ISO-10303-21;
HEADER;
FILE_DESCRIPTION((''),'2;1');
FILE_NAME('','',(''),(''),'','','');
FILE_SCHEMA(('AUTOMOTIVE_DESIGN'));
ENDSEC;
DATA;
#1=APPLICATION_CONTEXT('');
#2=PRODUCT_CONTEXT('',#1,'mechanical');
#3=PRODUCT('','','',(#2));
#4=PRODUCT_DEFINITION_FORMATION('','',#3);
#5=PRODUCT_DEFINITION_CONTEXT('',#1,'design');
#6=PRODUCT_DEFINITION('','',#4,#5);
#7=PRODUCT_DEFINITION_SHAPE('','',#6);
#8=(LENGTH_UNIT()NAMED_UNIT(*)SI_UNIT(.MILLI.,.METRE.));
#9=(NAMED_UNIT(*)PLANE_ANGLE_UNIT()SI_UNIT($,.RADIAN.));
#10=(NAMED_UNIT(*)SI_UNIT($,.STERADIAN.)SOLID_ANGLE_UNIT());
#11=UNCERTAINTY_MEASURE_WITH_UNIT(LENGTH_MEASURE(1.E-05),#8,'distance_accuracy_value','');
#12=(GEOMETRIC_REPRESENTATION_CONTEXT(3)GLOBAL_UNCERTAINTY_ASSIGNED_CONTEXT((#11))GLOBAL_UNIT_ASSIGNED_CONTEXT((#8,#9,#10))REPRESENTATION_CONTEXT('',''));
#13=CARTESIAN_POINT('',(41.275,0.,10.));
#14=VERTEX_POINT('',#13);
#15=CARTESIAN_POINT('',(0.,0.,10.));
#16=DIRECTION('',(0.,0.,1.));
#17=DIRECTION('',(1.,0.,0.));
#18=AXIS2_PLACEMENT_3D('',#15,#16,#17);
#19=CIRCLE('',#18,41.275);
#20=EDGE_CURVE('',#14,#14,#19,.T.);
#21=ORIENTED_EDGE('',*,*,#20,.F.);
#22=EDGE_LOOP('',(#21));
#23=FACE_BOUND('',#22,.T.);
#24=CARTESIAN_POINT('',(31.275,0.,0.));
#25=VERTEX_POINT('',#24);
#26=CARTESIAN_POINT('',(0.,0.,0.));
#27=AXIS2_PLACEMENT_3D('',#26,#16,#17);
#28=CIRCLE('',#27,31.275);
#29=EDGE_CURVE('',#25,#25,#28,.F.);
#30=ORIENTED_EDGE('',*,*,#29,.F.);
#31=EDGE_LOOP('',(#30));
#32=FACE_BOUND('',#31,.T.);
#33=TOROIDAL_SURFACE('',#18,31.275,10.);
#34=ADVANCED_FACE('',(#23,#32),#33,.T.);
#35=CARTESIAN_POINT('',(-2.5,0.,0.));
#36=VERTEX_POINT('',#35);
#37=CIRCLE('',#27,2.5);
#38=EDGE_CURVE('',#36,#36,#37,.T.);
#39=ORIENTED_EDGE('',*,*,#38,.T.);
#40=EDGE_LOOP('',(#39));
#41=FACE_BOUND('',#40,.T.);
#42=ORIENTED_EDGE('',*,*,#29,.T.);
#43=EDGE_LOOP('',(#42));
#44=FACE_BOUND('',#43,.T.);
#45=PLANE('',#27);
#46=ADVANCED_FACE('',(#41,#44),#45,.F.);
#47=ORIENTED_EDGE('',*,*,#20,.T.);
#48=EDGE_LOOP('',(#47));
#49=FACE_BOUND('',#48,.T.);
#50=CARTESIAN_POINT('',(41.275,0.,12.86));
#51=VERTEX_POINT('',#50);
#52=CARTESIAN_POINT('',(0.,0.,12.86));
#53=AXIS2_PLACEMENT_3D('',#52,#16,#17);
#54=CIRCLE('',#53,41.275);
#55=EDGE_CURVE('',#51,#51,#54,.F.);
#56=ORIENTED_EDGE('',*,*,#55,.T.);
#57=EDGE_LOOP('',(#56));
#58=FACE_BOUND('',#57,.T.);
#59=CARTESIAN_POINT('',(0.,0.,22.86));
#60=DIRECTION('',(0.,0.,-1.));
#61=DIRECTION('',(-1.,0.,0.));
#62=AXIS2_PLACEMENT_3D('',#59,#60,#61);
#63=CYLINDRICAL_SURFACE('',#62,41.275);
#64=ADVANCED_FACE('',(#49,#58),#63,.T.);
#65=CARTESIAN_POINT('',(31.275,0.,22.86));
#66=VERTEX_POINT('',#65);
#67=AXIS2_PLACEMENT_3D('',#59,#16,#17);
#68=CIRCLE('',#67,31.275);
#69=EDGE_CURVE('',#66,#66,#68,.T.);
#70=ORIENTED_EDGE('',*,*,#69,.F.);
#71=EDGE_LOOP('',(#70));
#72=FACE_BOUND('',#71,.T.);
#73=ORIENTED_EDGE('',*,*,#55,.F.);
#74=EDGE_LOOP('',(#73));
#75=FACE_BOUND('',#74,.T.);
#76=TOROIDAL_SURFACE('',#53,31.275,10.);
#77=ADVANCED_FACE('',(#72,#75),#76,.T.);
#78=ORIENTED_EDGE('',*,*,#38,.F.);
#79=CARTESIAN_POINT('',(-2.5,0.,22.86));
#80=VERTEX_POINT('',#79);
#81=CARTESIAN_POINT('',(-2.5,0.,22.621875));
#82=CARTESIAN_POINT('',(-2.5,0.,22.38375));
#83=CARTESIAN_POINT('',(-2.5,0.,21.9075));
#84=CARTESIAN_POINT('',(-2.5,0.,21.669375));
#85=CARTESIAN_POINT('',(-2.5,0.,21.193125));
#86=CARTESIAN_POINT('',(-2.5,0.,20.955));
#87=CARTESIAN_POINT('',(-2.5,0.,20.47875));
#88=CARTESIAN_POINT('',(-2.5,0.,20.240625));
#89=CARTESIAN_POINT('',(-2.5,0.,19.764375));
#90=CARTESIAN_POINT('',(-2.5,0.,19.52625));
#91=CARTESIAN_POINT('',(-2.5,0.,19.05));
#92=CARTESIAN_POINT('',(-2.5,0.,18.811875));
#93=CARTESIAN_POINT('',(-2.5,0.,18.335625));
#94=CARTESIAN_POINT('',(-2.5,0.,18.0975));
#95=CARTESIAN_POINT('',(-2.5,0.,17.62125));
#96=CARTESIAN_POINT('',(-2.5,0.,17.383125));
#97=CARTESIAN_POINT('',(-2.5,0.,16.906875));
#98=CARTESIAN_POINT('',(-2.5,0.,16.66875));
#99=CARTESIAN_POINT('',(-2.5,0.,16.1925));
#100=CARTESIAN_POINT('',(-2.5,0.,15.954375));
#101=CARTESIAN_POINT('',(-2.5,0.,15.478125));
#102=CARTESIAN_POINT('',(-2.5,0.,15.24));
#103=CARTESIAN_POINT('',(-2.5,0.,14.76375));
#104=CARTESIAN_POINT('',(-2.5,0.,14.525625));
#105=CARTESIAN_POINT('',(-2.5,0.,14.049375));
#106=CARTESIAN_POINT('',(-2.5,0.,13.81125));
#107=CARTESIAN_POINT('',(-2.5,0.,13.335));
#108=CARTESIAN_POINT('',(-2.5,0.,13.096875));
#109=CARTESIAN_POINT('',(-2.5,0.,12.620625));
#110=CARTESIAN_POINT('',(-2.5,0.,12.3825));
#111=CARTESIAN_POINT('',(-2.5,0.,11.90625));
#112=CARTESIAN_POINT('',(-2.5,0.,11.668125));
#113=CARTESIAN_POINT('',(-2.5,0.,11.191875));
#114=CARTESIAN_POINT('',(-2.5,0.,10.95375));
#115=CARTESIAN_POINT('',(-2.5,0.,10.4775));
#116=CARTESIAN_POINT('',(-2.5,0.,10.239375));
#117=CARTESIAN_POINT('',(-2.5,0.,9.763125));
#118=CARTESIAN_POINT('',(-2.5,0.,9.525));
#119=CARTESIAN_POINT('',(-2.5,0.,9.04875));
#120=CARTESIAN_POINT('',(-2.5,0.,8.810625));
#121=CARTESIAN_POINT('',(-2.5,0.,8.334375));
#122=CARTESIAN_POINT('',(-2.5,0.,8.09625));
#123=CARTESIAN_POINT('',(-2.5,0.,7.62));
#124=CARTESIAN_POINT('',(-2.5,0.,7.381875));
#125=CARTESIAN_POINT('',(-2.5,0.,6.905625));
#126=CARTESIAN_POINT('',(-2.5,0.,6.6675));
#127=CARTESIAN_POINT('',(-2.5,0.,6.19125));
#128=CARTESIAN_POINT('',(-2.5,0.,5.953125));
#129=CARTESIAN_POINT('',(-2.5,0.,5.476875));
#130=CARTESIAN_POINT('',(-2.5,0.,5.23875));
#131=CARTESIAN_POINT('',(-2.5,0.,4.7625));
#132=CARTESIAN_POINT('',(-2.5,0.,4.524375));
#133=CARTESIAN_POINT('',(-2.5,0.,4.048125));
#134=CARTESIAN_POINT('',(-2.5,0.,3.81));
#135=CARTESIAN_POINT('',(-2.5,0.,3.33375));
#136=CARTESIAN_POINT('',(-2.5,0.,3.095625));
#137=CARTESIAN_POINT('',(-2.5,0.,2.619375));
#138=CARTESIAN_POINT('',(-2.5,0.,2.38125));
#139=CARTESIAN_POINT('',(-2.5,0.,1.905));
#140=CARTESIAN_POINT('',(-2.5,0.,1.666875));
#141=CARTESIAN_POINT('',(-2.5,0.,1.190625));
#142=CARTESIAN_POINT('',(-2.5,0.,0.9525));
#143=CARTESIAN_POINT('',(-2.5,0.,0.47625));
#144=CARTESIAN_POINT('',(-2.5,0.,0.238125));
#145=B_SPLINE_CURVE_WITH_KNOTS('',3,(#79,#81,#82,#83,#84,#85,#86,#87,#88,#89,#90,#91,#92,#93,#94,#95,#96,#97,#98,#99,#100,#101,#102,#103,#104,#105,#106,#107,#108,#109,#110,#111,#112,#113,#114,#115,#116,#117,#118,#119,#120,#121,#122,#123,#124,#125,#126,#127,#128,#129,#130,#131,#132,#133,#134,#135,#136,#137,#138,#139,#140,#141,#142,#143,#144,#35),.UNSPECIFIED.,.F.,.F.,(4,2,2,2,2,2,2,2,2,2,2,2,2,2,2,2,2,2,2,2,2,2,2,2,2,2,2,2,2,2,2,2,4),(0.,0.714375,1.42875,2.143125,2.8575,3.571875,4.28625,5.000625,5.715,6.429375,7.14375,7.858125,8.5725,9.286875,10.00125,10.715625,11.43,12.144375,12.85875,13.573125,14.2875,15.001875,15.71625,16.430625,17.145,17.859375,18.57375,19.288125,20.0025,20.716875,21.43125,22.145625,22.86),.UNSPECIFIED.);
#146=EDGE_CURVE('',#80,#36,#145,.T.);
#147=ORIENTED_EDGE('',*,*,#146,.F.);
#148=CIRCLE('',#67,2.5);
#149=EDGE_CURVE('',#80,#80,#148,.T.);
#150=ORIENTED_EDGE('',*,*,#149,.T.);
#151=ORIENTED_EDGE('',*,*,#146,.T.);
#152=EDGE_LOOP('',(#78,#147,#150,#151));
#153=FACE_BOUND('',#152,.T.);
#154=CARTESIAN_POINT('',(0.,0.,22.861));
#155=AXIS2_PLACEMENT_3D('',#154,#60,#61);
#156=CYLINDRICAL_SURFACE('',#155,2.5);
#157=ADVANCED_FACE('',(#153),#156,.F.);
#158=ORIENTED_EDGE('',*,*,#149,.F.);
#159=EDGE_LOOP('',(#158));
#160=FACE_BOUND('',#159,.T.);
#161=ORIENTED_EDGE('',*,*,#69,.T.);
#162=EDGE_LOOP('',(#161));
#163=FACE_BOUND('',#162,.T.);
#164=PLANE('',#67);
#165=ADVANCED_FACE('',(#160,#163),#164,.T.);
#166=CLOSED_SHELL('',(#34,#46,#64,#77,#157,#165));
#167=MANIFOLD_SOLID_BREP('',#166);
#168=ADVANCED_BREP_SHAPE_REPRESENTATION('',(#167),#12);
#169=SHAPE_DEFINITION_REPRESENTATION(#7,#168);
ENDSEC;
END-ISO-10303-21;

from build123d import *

# Parameters (mm, degrees)
SKETCH1_R           = 41.275
BOSS_EXTRUDE1_DEPTH = 22.86
CUT_EXTRUDE1_REACH  = 64.688
SKETCH2_R           = 2.5
FILLET2_R           = 10


with BuildPart() as part:
    # Sketch1 → Boss-Extrude1 (new body)
    with BuildSketch(Plane.XY):
        Circle(SKETCH1_R)
    extrude(amount=BOSS_EXTRUDE1_DEPTH)

    # Sketch2 → Cut-Extrude1 (cut, up to next)
    with BuildSketch(Plane.XY, mode=Mode.PRIVATE) as cut_extrude1_sk1:
        with Locations(Location((0, 0, 0), (0, 0, 180))):
            Circle(SKETCH2_R)
    cut_extrude1_tool1 = extrude(cut_extrude1_sk1.sketch, amount=CUT_EXTRUDE1_REACH, mode=Mode.PRIVATE) & part.part
    add(cut_extrude1_tool1.solids().sort_by_distance((0, 0, 0))[0], mode=Mode.SUBTRACT)

    # Fillet2
    fillet2_edges = [part.edges().sort_by_distance(p)[0] for p in [
        (-41.275, 0, 0),
        (-41.275, 0, 22.86),
    ]]
    fillet(fillet2_edges, radius=FILLET2_R)


solid = part.part
